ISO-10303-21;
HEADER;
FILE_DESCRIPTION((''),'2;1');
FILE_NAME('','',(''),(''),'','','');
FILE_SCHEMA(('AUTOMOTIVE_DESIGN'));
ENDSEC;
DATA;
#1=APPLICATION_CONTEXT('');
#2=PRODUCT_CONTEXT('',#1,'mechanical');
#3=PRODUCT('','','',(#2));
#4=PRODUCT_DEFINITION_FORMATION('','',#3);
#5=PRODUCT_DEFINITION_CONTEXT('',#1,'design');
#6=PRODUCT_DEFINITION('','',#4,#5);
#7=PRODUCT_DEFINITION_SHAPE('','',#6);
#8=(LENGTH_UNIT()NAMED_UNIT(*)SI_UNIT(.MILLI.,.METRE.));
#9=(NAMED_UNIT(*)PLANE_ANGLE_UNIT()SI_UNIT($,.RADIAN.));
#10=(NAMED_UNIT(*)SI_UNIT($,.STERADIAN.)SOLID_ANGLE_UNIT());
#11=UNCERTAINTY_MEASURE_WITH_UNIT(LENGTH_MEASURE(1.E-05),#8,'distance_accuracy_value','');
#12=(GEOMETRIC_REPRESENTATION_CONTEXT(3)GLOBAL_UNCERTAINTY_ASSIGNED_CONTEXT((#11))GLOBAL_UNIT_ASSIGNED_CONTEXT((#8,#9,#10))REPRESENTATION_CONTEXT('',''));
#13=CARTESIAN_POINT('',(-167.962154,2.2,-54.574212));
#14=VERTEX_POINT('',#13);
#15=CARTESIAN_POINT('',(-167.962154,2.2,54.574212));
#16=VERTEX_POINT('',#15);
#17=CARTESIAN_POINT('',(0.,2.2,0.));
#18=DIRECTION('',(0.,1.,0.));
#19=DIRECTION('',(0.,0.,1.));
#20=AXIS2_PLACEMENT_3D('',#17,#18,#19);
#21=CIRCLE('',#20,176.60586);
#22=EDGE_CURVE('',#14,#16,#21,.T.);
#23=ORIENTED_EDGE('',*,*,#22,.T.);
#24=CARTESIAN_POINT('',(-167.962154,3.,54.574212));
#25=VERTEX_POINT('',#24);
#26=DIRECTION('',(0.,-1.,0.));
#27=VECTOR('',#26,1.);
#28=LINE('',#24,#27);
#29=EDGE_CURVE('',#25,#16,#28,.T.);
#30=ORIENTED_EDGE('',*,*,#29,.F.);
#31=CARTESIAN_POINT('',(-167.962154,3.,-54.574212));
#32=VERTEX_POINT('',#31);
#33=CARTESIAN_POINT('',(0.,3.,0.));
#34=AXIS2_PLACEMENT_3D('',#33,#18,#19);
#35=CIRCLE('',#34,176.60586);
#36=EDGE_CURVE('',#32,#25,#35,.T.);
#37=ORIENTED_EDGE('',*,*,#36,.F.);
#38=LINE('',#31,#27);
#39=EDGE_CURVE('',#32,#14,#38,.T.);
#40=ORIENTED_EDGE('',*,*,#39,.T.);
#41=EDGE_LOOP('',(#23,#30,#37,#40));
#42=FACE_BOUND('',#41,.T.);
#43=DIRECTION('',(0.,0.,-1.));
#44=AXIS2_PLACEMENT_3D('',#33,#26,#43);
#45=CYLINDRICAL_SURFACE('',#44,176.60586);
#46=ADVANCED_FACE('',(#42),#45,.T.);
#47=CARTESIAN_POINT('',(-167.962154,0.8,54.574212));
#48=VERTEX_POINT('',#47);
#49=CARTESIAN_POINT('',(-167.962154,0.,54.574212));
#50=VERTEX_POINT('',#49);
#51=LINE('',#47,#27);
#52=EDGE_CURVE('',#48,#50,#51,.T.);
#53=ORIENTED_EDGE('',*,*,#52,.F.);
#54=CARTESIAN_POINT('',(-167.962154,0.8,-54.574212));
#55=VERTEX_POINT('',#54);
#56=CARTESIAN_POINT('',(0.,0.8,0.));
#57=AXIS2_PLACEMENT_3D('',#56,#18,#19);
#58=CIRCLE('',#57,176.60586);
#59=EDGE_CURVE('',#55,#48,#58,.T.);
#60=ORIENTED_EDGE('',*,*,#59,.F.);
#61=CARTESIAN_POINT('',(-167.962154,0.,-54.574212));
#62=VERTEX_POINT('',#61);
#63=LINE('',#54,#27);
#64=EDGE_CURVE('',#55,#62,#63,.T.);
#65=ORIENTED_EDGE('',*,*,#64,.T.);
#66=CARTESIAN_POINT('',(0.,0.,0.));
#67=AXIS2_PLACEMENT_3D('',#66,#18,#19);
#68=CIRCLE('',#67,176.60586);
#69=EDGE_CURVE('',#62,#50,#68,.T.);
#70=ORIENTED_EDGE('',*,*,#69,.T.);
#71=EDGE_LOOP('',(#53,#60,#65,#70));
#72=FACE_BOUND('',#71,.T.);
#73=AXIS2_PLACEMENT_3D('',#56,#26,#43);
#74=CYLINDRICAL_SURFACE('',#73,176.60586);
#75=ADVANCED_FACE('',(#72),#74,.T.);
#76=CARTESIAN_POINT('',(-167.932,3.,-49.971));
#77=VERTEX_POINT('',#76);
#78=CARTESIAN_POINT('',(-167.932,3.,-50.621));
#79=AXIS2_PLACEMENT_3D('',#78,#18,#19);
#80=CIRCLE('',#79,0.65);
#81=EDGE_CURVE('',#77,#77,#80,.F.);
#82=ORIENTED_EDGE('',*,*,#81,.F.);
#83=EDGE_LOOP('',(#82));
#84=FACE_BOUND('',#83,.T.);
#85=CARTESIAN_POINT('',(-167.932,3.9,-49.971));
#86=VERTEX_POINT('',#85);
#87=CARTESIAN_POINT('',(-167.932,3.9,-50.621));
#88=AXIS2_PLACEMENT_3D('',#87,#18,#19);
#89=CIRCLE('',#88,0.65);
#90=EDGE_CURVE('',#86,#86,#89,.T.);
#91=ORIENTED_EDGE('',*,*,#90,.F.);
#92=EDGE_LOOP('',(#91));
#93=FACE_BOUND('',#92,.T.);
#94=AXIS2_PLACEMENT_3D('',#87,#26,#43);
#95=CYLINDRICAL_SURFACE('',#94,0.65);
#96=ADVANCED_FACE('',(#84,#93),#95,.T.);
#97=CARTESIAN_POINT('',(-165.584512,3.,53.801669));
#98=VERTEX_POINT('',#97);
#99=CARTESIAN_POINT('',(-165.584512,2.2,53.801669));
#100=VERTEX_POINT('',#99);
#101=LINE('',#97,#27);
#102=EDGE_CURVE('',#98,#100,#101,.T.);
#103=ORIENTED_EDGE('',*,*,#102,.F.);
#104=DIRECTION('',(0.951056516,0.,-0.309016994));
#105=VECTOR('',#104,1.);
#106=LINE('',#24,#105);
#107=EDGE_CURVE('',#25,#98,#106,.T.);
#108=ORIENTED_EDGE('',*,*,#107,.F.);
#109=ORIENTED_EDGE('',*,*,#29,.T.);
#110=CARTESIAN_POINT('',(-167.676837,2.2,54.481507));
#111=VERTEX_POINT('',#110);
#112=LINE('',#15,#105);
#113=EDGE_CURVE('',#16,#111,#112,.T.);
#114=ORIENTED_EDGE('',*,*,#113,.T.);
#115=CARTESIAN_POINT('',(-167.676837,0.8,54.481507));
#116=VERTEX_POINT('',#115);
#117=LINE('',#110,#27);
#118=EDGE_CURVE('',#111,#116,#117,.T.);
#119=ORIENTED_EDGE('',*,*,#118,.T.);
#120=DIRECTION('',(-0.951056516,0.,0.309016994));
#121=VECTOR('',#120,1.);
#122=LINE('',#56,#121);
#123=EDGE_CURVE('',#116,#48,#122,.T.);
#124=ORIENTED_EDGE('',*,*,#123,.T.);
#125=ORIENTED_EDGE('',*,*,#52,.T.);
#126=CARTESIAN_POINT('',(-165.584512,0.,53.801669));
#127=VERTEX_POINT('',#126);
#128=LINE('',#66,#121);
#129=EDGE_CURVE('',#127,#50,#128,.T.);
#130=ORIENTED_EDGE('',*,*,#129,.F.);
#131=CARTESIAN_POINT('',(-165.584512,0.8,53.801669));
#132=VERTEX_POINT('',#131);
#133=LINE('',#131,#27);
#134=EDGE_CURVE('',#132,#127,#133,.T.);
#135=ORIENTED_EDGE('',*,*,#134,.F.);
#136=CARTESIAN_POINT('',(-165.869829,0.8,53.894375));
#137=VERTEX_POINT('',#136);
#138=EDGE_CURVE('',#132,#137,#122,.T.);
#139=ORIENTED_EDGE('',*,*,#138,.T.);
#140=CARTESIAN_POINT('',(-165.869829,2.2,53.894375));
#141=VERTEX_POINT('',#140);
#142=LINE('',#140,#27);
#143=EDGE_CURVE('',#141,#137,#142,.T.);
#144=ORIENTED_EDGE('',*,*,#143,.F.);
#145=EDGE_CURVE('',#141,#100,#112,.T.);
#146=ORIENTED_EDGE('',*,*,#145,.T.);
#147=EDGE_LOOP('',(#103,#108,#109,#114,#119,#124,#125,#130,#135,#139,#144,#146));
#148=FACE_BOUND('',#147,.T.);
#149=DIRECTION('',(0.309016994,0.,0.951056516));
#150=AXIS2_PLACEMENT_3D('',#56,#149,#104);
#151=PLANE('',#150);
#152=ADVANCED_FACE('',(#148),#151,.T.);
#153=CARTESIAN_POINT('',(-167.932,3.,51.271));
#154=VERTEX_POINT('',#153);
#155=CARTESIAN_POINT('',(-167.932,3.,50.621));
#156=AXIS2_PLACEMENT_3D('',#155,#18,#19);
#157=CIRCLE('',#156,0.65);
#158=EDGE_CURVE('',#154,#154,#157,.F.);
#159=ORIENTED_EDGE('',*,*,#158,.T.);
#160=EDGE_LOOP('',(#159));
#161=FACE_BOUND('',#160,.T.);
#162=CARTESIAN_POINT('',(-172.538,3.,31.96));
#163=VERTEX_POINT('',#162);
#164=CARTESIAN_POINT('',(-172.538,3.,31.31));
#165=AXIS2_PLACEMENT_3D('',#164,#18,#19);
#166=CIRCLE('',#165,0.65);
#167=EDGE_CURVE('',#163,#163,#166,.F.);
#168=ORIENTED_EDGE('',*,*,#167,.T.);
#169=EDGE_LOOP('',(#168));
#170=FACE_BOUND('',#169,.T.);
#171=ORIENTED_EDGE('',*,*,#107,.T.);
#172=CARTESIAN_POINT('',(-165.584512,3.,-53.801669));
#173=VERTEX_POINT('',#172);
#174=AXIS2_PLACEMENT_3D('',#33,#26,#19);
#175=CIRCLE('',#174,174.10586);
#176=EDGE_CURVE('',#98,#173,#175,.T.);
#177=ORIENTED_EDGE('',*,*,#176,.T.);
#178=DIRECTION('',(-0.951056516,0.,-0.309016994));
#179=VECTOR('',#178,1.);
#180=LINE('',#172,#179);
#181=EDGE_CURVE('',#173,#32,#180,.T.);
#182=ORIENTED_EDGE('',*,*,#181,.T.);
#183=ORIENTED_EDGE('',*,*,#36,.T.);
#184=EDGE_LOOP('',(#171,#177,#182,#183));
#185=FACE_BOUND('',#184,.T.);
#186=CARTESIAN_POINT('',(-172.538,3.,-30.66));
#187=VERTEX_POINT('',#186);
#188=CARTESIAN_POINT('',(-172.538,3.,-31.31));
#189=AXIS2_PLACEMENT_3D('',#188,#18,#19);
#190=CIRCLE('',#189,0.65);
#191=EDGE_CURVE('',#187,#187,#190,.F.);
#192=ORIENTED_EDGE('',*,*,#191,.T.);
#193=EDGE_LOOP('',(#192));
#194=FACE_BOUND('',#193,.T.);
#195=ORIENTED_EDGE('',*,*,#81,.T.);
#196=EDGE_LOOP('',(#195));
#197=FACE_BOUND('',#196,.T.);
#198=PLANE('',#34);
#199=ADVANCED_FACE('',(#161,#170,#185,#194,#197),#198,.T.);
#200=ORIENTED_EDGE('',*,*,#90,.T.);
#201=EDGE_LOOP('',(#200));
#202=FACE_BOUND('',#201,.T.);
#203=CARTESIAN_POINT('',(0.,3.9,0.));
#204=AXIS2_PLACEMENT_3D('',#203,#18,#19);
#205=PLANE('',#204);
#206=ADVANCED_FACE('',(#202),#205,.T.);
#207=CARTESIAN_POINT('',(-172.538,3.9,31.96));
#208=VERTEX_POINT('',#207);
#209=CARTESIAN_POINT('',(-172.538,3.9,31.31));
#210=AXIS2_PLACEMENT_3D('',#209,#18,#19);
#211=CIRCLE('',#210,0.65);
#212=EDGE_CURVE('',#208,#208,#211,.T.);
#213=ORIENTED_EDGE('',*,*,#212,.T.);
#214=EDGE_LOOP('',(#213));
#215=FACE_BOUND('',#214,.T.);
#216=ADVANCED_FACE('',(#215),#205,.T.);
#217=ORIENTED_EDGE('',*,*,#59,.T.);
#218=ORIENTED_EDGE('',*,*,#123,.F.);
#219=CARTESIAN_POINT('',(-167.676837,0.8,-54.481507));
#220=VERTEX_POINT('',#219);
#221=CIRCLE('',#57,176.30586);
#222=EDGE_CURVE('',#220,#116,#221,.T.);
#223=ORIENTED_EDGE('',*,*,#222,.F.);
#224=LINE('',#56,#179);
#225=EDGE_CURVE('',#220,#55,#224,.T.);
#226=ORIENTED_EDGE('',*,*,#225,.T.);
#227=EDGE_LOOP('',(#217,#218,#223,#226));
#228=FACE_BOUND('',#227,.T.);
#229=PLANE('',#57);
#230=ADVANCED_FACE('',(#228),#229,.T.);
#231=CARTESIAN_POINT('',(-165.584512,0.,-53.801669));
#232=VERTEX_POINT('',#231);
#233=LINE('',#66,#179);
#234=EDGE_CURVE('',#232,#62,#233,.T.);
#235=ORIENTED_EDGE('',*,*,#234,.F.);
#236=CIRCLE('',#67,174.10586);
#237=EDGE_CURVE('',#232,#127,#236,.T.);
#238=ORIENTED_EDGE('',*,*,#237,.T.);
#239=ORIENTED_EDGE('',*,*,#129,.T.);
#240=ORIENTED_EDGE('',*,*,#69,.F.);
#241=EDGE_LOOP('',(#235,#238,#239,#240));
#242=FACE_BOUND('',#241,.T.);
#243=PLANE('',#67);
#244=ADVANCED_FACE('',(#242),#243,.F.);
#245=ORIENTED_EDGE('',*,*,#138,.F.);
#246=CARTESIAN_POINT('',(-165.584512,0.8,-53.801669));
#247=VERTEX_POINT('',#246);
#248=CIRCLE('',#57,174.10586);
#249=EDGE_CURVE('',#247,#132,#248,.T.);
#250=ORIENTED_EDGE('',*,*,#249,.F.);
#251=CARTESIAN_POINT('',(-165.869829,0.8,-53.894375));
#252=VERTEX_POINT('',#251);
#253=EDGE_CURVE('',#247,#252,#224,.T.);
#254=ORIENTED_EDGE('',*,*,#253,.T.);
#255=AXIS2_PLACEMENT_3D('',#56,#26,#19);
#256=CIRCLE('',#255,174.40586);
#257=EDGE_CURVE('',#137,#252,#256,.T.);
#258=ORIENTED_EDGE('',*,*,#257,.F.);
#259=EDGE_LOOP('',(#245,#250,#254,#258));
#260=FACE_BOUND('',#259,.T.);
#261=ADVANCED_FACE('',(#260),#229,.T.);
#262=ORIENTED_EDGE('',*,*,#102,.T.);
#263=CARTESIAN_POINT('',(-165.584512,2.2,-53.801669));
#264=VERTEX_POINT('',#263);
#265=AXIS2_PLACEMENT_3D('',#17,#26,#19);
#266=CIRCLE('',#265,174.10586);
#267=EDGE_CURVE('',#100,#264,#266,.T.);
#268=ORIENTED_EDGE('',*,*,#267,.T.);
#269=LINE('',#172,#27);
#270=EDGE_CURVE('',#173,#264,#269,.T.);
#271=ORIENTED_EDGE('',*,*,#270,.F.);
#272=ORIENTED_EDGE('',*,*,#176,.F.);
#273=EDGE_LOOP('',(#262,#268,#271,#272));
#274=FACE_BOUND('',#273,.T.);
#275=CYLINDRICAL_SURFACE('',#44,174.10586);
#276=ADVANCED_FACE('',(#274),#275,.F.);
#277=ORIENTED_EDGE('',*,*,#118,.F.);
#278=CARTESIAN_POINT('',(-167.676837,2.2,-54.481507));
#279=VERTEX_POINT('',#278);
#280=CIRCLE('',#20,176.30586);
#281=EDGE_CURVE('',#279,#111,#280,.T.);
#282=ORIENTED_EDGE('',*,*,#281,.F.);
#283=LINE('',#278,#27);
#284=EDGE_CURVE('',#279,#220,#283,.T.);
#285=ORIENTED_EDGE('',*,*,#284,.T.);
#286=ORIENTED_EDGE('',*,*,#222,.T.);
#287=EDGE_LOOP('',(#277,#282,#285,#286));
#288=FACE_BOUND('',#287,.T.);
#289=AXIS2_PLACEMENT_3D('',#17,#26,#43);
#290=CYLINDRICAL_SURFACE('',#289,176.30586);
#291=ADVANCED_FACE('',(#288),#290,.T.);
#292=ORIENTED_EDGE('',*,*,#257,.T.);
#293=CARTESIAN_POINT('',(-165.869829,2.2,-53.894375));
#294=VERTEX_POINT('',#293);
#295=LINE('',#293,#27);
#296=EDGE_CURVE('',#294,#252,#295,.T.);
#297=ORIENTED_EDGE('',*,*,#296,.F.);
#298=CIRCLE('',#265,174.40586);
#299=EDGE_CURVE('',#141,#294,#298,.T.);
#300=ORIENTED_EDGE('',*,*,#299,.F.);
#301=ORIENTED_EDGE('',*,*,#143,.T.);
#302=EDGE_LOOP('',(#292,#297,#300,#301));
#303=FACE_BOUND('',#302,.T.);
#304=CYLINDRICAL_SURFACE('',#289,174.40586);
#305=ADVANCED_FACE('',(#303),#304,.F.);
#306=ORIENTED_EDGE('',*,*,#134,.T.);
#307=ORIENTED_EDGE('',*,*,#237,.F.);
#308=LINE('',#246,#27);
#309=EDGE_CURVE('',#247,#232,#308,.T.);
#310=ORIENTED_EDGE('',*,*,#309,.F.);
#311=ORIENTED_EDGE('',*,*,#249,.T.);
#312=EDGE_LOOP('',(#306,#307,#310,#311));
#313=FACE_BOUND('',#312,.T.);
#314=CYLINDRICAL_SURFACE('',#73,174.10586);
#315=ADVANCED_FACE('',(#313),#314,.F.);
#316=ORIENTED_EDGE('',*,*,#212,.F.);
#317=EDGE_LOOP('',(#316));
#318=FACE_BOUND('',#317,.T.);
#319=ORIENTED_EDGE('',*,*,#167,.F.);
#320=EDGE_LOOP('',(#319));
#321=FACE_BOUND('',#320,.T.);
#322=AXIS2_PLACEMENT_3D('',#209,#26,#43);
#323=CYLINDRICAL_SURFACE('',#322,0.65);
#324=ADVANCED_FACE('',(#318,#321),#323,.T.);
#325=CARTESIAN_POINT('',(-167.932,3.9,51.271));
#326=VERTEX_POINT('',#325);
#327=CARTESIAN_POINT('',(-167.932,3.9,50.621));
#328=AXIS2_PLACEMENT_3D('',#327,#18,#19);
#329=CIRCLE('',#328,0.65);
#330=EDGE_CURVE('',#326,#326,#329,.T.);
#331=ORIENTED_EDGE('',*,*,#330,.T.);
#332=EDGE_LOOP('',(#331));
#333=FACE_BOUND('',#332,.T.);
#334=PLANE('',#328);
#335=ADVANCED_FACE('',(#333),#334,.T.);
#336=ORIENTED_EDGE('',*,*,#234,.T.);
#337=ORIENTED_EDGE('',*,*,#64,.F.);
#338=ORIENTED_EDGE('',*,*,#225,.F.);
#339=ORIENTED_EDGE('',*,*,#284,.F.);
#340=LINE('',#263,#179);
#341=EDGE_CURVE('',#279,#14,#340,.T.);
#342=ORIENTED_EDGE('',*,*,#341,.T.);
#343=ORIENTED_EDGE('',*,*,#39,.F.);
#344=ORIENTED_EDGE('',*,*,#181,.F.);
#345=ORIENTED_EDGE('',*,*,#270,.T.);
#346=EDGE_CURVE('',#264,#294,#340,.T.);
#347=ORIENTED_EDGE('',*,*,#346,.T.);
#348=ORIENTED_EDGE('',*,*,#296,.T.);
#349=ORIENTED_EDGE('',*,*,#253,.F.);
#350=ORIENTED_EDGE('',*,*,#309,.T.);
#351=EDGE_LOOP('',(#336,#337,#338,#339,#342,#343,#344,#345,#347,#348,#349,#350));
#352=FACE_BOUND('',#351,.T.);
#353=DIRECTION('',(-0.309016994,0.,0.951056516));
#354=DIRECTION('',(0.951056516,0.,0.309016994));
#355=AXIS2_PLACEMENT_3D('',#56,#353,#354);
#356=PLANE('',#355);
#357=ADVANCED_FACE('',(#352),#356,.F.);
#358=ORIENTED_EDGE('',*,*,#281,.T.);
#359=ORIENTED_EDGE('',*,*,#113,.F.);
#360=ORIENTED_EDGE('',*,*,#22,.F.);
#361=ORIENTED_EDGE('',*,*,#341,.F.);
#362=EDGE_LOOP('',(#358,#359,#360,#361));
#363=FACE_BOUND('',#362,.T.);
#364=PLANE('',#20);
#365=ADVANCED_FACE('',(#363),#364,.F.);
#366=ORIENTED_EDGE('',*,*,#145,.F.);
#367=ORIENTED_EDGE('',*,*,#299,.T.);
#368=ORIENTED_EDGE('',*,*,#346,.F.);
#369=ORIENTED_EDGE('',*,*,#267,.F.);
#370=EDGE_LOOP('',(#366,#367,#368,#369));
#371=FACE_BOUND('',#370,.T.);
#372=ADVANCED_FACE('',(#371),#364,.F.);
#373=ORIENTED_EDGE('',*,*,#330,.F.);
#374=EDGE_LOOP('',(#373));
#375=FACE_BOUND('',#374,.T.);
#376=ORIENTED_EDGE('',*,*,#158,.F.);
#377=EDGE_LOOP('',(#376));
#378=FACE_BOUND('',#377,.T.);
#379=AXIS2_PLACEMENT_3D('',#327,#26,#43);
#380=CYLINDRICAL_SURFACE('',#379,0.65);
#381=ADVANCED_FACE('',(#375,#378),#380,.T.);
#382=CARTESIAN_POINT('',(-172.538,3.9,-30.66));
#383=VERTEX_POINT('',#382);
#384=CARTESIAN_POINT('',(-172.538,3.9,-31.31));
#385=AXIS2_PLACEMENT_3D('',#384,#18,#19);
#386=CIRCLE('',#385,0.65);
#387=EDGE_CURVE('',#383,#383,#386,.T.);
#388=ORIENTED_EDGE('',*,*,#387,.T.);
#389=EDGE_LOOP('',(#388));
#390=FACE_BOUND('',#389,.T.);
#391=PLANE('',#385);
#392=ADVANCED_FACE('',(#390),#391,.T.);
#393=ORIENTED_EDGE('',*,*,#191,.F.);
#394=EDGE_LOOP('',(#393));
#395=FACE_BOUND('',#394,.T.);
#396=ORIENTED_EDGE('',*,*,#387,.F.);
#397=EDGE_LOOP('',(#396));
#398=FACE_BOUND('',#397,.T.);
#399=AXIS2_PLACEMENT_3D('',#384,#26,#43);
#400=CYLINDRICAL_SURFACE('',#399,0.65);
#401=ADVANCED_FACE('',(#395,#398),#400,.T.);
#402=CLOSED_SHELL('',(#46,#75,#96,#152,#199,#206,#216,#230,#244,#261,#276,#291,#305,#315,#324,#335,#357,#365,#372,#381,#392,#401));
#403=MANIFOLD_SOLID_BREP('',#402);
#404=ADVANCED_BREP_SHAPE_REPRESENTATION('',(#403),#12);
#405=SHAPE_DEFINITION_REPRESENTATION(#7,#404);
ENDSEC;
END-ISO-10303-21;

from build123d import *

# Parameters (mm, degrees)
BOSS_EXTRUDE1_DEPTH = 0.8
BOSS_EXTRUDE2_DEPTH = 1.4
BOSS_EXTRUDE3_DEPTH = 0.8
SKETCH1_3_R         = 0.65
BOSS_EXTRUDE4_DEPTH = 3.9


with BuildPart() as part:
    # Sketch1 → Boss-Extrude1 (new body)
    with BuildSketch(Plane(origin=(0, 0, 0), x_dir=(1, 0, 0), z_dir=(0, 1, 0))):
        with BuildLine():
            Line((-167.962153719, -54.574211965), (-165.584512428, -53.801669479))
            ThreePointArc((-165.584512428, -53.801669479), (-174.105859737, 0), (-165.584512428, 53.801669479))
            Line((-165.584512428, 53.801669479), (-167.962153719, 54.574211965))
            ThreePointArc((-167.962153719, 54.574211965), (-176.605859737, 0), (-167.962153719, -54.574211965))
        make_face()
    extrude(amount=BOSS_EXTRUDE1_DEPTH)

    # Sketch2 → Boss-Extrude2 (add)
    with BuildSketch(Plane(origin=(0, 0.8, 0), x_dir=(1, 0, 0), z_dir=(0, 1, 0))):
        with BuildLine():
            Line((-165.869829383, 53.894374577), (-167.676836764, 54.481506867))
            ThreePointArc((-167.676836764, 54.481506867), (-176.305859737, 0), (-167.676836764, -54.481506867))
            Line((-167.676836764, -54.481506867), (-165.869829383, -53.894374577))
            ThreePointArc((-165.869829383, -53.894374577), (-174.405859737, 0), (-165.869829383, 53.894374577))
        make_face()
    extrude(amount=BOSS_EXTRUDE2_DEPTH)

    # Sketch3 → Boss-Extrude3 (add)
    with BuildSketch(Plane(origin=(0, 2.2, 0), x_dir=(1, 0, 0), z_dir=(0, 1, 0))):
        with BuildLine():
            Line((-167.962153719, -54.574211965), (-165.584512428, -53.801669479))
            ThreePointArc((-165.584512428, -53.801669479), (-174.105859737, 0), (-165.584512428, 53.801669479))
            Line((-165.584512428, 53.801669479), (-167.962153719, 54.574211965))
            ThreePointArc((-167.962153719, 54.574211965), (-176.605859737, 0), (-167.962153719, -54.574211965))
        make_face()
    extrude(amount=BOSS_EXTRUDE3_DEPTH)

    # Sketch1<3> → Boss-Extrude4 (add)
    with BuildSketch(Plane(origin=(0, 0, 0), x_dir=(1, 0, 0), z_dir=(0, 1, 0))):
        with Locations((-172.538, -31.31)):
            Circle(SKETCH1_3_R)
        with Locations((-172.538, 31.31)):
            Circle(SKETCH1_3_R)
        with Locations((-167.932, 50.621)):
            Circle(SKETCH1_3_R)
        with Locations((-167.932, -50.621)):
            Circle(SKETCH1_3_R)
    extrude(amount=BOSS_EXTRUDE4_DEPTH)


solid = part.part
